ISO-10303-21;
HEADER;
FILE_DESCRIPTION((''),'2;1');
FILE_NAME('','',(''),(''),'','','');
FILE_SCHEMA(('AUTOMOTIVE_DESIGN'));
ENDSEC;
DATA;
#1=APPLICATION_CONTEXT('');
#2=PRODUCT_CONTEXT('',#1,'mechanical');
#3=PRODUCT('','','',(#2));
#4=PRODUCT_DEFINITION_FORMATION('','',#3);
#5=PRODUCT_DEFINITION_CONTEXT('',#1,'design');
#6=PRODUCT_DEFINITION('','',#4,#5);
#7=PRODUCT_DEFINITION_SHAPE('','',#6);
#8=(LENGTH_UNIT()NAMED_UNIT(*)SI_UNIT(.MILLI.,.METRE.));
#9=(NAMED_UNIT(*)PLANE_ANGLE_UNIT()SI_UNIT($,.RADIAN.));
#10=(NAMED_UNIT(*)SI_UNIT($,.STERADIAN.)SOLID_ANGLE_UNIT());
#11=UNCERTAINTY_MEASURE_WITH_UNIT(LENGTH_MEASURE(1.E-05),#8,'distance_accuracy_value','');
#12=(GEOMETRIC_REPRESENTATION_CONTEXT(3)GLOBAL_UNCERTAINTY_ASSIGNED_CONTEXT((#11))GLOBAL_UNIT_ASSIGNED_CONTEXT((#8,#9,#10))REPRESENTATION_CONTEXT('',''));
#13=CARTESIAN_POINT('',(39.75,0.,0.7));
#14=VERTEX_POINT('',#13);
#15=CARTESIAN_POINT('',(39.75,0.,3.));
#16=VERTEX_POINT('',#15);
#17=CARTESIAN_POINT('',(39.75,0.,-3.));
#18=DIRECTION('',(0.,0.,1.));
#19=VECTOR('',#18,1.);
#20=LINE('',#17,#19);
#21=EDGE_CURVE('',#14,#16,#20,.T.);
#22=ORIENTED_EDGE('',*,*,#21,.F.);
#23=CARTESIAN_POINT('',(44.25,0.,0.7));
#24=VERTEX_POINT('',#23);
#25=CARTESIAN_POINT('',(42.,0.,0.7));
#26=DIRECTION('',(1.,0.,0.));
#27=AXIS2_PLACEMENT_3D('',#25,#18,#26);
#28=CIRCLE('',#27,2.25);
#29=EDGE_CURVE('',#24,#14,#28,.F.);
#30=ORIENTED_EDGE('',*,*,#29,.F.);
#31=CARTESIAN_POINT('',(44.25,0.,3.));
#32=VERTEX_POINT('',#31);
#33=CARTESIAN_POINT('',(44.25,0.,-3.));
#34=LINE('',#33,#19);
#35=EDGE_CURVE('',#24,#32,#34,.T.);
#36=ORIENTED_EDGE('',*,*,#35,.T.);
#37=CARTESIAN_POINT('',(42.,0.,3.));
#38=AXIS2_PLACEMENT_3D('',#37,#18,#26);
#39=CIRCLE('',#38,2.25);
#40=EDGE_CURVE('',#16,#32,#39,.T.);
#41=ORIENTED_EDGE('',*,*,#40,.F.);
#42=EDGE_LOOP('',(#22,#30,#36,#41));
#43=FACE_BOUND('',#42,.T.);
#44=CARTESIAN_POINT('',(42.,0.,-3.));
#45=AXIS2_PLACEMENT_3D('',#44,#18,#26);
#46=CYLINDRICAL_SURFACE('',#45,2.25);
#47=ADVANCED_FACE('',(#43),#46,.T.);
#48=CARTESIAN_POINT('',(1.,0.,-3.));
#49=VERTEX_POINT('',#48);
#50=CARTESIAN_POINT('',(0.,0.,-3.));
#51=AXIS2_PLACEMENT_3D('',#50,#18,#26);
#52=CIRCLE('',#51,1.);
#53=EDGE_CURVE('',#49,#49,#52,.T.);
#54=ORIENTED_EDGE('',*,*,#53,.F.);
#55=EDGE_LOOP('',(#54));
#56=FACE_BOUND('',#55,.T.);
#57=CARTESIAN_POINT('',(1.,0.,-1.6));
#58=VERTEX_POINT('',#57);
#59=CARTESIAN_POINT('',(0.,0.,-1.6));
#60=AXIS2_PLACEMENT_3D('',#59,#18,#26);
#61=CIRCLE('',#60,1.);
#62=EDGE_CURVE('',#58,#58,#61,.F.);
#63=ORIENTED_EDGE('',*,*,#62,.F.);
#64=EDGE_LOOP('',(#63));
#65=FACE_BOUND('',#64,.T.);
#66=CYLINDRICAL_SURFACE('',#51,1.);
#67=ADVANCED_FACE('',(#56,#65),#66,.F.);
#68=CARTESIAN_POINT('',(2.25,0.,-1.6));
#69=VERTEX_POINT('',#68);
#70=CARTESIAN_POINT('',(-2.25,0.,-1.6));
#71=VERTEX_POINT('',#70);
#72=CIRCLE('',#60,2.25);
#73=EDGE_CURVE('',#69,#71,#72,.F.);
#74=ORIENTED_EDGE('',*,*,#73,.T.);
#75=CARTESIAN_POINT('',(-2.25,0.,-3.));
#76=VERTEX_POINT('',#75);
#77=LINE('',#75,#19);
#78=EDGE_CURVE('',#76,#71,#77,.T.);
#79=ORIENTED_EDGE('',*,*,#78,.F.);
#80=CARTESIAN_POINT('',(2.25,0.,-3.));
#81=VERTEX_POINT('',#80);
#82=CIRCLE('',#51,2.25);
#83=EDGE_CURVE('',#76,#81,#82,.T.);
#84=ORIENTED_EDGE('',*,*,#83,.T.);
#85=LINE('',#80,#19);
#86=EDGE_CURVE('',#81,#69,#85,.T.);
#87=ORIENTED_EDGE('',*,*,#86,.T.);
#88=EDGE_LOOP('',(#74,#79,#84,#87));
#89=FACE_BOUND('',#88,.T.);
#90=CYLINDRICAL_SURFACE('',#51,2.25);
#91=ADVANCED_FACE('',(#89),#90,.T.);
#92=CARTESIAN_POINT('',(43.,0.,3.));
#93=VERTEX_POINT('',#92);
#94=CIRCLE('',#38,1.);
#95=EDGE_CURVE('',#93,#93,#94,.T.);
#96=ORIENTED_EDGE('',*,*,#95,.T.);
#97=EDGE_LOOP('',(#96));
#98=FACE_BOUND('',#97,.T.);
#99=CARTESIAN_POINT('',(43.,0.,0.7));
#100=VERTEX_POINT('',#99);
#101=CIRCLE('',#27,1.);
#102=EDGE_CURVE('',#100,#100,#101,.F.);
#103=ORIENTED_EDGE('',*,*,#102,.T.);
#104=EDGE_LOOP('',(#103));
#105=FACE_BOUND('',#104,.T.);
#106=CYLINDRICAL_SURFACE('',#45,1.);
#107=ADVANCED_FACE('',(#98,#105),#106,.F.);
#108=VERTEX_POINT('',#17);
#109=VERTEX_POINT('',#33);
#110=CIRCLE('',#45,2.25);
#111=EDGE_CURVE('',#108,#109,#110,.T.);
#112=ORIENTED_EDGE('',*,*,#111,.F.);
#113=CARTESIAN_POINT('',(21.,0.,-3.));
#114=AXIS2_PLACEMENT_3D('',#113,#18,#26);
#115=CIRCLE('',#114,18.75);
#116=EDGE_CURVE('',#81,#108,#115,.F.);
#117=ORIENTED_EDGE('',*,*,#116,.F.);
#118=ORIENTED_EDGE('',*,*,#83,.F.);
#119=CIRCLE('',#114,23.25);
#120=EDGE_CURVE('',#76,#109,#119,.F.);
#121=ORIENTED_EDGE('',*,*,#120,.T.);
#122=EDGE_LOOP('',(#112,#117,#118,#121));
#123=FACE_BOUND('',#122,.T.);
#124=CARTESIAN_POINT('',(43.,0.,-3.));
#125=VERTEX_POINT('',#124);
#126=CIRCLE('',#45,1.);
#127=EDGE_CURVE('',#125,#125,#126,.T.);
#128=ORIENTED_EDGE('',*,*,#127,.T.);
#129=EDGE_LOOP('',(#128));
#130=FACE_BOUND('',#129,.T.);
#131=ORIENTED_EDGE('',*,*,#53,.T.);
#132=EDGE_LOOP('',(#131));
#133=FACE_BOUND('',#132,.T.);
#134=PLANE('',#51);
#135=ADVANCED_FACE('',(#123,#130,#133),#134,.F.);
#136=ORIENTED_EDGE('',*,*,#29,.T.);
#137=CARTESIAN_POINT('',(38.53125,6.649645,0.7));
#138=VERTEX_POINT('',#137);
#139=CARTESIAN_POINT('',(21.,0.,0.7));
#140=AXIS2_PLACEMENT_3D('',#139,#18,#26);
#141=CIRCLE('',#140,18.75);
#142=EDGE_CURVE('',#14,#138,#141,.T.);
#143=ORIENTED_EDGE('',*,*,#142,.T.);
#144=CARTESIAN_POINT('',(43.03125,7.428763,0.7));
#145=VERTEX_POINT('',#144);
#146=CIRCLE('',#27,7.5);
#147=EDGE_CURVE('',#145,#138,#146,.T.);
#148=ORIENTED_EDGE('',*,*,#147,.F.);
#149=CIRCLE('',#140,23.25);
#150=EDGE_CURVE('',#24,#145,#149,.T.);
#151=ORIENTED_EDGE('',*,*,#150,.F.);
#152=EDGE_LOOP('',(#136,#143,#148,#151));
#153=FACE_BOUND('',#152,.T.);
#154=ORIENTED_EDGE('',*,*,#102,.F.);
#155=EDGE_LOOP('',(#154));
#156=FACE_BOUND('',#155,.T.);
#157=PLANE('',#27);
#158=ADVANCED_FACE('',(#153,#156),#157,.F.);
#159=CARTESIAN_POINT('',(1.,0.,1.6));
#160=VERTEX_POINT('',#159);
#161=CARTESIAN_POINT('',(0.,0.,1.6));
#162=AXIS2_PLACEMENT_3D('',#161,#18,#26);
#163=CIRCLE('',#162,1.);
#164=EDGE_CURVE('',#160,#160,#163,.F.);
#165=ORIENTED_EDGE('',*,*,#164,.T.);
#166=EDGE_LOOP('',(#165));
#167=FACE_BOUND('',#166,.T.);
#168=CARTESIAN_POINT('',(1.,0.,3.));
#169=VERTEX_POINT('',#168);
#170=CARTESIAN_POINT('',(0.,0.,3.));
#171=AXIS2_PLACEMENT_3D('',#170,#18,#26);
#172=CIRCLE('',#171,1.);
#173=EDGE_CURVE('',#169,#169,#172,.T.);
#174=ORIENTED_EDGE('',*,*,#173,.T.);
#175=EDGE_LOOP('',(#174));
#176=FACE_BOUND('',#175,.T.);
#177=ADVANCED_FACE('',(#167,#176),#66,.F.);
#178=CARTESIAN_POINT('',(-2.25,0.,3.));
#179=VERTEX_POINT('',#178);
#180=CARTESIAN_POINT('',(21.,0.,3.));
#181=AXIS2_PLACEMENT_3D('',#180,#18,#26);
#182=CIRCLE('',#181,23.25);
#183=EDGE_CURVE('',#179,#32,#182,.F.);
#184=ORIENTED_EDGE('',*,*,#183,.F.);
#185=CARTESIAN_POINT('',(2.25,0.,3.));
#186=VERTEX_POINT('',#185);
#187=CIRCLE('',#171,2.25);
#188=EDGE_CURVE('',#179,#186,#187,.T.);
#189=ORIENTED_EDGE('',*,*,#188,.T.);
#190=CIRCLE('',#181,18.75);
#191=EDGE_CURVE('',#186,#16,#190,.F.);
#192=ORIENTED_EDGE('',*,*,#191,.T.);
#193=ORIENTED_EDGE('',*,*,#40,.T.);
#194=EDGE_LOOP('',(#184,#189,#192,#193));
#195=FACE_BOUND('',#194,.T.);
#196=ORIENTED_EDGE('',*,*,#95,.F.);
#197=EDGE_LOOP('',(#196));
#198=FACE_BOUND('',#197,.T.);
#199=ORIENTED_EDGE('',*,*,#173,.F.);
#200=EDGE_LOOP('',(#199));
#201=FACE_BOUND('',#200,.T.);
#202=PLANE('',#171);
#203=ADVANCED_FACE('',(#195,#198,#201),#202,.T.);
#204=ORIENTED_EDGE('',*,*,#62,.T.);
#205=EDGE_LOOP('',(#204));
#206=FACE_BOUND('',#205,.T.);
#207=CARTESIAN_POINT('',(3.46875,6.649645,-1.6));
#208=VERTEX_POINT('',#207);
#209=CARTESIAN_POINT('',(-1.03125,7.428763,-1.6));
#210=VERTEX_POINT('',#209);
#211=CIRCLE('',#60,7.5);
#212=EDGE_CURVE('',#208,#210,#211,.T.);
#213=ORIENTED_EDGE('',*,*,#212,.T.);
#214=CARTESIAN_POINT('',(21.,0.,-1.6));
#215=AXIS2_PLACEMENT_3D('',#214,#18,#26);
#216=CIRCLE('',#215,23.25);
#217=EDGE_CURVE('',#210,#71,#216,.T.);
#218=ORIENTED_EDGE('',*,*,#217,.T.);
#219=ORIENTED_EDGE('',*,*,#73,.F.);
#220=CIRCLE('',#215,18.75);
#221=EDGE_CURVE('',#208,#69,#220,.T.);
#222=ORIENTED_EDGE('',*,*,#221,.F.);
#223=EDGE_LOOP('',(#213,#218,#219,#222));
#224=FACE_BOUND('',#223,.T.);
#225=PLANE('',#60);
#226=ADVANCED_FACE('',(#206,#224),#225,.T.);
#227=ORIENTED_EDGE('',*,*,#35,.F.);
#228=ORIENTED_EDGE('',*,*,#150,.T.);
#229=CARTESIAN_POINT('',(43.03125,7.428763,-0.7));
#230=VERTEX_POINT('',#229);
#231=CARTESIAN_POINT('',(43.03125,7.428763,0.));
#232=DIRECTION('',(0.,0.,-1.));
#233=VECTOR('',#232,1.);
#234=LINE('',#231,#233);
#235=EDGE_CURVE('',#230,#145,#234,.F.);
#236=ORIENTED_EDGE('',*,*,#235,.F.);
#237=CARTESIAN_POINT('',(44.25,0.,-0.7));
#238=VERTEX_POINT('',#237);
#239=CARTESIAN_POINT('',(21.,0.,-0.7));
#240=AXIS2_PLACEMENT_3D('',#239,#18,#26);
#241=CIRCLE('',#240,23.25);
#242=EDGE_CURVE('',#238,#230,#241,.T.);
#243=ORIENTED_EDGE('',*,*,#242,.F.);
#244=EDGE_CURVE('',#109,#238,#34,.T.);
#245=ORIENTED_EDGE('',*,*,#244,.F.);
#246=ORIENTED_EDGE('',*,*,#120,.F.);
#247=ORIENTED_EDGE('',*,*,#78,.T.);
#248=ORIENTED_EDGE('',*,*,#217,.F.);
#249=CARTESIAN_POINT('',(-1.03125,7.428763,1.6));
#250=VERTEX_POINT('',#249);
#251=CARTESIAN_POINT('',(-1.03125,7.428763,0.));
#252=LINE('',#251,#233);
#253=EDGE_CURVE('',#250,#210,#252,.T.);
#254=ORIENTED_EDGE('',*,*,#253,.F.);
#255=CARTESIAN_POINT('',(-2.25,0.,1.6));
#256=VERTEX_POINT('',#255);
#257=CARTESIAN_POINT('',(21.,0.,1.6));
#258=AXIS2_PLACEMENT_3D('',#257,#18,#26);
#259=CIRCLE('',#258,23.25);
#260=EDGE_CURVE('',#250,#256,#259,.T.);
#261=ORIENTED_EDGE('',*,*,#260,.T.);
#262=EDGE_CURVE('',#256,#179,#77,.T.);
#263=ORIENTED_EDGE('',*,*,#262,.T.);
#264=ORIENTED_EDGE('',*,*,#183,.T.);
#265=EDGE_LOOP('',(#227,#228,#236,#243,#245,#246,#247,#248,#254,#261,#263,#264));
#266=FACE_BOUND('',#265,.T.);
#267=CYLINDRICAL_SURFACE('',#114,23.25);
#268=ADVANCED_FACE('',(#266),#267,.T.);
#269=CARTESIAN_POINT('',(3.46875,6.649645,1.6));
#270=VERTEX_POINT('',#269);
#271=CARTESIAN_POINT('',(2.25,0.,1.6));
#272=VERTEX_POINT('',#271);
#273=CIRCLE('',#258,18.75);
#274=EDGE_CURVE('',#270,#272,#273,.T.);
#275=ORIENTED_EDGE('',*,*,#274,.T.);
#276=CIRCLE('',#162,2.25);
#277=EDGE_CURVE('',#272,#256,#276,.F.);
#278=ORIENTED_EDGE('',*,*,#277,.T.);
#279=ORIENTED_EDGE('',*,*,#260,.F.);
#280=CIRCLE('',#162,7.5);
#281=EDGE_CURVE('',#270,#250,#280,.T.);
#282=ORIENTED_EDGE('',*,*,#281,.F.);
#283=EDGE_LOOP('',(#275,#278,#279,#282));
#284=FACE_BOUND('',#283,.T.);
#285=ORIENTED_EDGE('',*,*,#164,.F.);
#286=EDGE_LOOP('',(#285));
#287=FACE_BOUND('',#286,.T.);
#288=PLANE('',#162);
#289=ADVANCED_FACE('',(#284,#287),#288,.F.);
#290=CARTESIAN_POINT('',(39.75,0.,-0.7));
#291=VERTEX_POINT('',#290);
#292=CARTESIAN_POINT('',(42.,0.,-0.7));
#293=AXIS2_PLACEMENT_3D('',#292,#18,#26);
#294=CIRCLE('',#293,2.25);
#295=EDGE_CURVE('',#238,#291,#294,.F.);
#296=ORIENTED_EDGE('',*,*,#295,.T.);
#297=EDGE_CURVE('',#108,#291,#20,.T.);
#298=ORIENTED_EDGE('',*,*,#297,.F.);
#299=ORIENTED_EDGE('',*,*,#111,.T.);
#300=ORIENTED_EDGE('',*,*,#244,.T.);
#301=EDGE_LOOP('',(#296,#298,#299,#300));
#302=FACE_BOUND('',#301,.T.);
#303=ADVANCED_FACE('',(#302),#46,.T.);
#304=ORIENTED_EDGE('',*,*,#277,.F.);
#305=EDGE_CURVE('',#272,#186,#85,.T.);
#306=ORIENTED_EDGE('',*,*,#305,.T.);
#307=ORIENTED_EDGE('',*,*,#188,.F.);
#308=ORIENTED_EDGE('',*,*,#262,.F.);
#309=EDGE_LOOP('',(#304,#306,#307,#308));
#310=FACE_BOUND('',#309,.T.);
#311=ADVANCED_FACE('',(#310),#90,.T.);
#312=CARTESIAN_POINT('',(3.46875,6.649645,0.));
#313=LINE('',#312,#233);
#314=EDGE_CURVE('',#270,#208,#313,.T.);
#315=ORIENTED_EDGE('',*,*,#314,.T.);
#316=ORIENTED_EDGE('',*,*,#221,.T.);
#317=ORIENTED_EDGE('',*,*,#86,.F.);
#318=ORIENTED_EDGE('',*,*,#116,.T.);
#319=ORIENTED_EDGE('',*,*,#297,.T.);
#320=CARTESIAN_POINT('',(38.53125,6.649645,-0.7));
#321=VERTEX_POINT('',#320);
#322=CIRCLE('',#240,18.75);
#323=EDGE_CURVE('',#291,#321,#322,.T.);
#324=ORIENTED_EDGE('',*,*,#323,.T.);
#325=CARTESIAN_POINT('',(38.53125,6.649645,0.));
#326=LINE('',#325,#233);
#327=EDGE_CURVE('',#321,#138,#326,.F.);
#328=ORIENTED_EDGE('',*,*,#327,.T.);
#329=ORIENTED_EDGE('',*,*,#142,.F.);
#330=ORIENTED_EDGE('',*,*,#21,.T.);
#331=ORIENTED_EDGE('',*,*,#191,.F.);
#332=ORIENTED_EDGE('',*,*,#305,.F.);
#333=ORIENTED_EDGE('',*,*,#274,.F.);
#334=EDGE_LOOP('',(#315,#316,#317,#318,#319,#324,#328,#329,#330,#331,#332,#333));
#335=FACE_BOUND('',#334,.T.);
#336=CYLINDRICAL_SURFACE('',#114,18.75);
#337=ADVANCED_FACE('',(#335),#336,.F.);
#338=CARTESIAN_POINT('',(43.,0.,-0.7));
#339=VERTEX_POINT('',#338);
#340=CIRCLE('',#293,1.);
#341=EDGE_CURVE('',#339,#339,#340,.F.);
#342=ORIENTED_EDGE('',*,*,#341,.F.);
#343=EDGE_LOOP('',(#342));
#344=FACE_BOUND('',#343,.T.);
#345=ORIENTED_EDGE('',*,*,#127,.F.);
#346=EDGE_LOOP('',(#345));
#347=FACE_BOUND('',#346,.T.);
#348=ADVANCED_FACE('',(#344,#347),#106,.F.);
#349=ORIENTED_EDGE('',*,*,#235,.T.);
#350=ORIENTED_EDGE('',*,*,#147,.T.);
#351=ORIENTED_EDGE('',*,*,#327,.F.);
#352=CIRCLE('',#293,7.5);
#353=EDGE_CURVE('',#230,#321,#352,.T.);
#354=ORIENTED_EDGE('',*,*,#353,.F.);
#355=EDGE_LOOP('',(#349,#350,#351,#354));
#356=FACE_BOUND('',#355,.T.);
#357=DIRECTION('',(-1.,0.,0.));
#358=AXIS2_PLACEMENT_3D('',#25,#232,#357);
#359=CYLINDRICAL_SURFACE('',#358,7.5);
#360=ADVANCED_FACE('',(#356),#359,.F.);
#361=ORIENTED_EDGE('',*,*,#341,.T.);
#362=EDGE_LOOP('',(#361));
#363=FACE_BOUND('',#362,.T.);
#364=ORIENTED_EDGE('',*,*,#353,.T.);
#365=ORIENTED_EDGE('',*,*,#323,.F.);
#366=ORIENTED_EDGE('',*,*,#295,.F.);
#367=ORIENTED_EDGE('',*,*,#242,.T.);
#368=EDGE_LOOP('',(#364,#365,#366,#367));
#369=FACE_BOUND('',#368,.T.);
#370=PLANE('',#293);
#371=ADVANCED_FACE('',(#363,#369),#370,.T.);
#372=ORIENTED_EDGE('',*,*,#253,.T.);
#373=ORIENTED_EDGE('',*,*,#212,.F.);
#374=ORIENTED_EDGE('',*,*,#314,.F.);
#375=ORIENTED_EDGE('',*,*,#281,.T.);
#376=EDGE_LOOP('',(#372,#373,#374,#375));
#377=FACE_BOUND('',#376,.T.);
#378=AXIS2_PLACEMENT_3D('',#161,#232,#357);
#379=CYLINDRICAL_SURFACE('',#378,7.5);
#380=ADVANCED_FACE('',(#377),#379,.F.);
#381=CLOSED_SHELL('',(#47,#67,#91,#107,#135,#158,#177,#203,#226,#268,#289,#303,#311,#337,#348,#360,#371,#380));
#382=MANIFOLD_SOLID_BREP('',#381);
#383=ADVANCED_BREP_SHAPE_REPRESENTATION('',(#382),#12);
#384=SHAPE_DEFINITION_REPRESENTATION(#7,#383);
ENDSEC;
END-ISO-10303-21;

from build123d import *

# Parameters (mm, degrees)
BOSS_EXTRUDE1_DEPTH      = 3
BOSS_EXTRUDE1_DEPTH_BACK = 3
SKETCH1_R                = 1
CUT_EXTRUDE1_DEPTH       = 1.6
CUT_EXTRUDE1_DEPTH_BACK  = 1.6
SKETCH2_R                = 7.5
CUT_EXTRUDE2_DEPTH       = 0.7
CUT_EXTRUDE2_DEPTH_BACK  = 0.7
SKETCH3_R                = 7.5


with BuildPart() as part:
    # Sketch1 → Boss-Extrude1 (new, two sides: drawn at the far end of the back side and taken through both)
    with BuildSketch(Plane.XY.offset(-BOSS_EXTRUDE1_DEPTH_BACK)):
        with BuildLine():
            ThreePointArc((-2.25, 0), (0, -2.25), (2.25, 0))
            ThreePointArc((2.25, 0), (21, 18.75), (39.75, 0))
            ThreePointArc((39.75, 0), (42, -2.25), (44.25, 0))
            ThreePointArc((44.25, 0), (21, 23.25), (-2.25, 0))
        make_face()
        Circle(SKETCH1_R, mode=Mode.SUBTRACT)
        with Locations((42, 0)):
            Circle(SKETCH1_R, mode=Mode.SUBTRACT)
    extrude(amount=BOSS_EXTRUDE1_DEPTH + BOSS_EXTRUDE1_DEPTH_BACK)

    # Sketch2 → Cut-Extrude1 (cut, two sides: drawn at the far end of the back side and taken through both)
    with BuildSketch(Plane.XY.offset(-CUT_EXTRUDE1_DEPTH_BACK)):
        Circle(SKETCH2_R)
    extrude(amount=CUT_EXTRUDE1_DEPTH + CUT_EXTRUDE1_DEPTH_BACK, mode=Mode.SUBTRACT)

    # Sketch3 → Cut-Extrude2 (cut, two sides: drawn at the far end of the back side and taken through both)
    with BuildSketch(Plane.XY.offset(-CUT_EXTRUDE2_DEPTH_BACK)):
        with Locations((42, 0)):
            Circle(SKETCH3_R)
    extrude(amount=CUT_EXTRUDE2_DEPTH + CUT_EXTRUDE2_DEPTH_BACK, mode=Mode.SUBTRACT)


solid = part.part
